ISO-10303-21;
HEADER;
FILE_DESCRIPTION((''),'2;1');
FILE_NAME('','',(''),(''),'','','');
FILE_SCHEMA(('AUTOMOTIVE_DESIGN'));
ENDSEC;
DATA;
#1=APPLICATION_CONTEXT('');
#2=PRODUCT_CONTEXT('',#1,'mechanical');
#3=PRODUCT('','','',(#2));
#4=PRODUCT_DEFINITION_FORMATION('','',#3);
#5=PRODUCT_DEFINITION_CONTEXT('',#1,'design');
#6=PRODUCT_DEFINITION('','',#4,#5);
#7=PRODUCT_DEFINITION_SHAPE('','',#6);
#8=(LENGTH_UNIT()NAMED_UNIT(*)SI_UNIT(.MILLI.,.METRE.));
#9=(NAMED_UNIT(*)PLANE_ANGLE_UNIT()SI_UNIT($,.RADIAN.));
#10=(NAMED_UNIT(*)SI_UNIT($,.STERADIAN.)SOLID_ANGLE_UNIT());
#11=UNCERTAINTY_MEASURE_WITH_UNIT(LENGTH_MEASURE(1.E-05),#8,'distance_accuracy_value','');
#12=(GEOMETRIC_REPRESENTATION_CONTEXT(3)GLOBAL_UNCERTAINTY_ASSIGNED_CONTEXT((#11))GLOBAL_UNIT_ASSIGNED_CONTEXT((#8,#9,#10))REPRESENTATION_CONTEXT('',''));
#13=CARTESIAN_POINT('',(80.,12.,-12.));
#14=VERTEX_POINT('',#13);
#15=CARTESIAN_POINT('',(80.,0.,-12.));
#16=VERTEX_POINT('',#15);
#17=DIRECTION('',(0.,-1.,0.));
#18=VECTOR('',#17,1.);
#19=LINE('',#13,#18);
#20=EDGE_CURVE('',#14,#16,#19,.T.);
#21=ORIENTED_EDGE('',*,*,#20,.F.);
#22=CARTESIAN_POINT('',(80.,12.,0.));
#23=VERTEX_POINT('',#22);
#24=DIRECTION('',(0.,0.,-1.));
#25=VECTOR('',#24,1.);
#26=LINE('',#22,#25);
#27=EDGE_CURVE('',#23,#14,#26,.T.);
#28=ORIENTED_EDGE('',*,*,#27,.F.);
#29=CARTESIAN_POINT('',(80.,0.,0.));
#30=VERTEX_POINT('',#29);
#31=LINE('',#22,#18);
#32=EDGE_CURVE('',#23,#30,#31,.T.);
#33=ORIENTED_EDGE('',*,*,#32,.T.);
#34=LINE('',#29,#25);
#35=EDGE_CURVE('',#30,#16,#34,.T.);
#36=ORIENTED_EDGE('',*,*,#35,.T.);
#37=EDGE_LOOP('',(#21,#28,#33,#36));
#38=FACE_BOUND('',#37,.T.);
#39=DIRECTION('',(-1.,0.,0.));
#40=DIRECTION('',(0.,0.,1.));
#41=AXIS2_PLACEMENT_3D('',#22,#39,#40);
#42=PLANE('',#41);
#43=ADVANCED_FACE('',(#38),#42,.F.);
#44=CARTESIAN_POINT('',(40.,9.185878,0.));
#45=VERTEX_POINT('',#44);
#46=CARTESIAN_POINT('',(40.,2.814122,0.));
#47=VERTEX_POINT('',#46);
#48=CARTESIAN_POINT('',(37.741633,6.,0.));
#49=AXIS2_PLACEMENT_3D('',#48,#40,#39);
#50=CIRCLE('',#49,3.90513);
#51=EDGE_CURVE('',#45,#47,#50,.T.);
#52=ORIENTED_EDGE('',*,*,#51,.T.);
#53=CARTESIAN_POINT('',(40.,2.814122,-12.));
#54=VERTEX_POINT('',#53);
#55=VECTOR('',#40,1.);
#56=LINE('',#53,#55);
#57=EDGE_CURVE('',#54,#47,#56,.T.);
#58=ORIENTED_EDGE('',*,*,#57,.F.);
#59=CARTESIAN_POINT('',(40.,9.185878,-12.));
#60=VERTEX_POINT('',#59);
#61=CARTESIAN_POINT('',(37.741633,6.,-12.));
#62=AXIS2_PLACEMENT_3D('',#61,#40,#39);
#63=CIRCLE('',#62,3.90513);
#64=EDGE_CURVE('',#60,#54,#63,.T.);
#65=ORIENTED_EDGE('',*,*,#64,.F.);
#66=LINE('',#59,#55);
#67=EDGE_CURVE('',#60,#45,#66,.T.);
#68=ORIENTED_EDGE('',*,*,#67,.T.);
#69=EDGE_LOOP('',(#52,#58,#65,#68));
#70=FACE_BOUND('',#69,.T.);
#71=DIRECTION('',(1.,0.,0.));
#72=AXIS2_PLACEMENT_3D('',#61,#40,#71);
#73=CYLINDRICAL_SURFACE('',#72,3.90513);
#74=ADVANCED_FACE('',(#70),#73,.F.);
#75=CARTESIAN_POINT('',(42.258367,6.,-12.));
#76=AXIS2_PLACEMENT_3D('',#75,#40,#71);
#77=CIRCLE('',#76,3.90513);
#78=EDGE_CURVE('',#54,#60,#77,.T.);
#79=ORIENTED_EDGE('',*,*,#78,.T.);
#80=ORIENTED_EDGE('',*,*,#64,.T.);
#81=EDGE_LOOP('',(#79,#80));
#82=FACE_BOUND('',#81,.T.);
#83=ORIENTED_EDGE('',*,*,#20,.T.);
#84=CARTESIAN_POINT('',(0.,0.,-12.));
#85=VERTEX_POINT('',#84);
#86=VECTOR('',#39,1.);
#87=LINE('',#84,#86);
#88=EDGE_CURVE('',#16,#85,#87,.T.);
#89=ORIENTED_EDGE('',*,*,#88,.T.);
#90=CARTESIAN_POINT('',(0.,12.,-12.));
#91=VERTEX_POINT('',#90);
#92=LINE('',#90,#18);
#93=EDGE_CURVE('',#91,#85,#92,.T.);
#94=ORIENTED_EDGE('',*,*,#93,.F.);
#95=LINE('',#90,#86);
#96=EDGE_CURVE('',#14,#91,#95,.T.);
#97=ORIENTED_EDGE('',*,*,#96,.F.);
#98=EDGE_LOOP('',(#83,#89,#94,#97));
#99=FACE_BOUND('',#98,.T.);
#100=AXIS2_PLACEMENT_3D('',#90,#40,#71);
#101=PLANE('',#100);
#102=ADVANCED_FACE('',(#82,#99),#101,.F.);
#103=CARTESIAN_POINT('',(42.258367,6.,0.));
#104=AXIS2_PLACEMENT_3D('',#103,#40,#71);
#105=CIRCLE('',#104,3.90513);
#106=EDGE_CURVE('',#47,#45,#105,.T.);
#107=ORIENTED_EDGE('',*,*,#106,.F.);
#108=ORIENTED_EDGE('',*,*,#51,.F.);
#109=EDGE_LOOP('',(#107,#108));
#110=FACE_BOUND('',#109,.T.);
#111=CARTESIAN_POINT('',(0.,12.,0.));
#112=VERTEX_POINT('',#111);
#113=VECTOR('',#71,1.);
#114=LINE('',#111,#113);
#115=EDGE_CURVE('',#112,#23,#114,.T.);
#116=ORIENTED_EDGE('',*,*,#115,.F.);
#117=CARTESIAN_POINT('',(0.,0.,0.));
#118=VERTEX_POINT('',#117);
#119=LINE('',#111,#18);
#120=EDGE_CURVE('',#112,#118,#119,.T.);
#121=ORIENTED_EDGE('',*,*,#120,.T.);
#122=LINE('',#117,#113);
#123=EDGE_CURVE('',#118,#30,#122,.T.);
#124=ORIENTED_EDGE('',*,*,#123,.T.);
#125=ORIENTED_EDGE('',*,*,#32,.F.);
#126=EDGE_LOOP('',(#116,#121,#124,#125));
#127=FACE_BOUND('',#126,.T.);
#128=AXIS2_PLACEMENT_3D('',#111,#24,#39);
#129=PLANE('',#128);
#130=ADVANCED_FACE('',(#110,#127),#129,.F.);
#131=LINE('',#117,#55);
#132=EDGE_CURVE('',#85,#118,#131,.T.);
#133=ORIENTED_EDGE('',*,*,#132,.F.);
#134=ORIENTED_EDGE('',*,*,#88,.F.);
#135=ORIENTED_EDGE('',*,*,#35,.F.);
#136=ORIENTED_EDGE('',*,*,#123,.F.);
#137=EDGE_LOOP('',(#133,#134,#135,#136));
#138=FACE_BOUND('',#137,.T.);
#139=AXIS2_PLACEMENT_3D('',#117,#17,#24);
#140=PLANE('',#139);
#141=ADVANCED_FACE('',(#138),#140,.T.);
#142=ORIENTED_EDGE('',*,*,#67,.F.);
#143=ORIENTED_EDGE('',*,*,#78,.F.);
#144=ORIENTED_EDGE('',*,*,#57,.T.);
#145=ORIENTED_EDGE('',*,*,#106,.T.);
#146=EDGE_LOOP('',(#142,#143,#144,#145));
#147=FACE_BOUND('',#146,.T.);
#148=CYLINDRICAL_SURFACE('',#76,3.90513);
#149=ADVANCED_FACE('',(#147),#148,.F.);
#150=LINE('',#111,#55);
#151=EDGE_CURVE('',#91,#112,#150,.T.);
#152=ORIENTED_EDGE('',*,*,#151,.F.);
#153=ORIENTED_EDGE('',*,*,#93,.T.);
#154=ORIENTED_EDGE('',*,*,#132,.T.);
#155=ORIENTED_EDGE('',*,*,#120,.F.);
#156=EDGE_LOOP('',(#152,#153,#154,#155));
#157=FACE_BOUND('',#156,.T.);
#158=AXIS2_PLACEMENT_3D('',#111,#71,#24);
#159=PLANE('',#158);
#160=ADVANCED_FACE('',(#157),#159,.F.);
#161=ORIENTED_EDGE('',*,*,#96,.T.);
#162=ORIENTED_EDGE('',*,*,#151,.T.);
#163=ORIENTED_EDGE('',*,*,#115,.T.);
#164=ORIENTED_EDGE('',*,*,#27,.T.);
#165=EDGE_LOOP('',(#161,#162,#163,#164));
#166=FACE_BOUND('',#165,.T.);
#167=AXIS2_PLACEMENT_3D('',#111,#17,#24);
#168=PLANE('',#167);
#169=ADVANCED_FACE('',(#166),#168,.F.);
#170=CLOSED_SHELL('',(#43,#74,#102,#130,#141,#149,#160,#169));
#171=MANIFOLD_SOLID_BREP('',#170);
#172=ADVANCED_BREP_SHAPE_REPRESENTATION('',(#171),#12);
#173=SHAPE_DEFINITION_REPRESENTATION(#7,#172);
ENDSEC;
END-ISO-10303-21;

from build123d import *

# Parameters (mm, degrees)
CROQUIS1_W              = 80
CROQUIS1_H              = 12
SALIENTE_EXTRUIR1_DEPTH = 12
CORTAR_EXTRUIR1_DEPTH   = 12


with BuildPart() as part:
    # Croquis1 → Saliente-Extruir1 (new body)
    with BuildSketch(Plane(origin=(0, 0, 0), x_dir=(1, 0, 0), z_dir=(0, 1, 0))):
        with Locations((40, 6)):
            Rectangle(CROQUIS1_W, CROQUIS1_H)
    extrude(amount=SALIENTE_EXTRUIR1_DEPTH)

    # Croquis2 → Cortar-Extruir1 (cut)
    with BuildSketch(Plane.XY):
        with BuildLine():
            ThreePointArc((40, 2.81412174), (46.163496931, 6), (40, 9.18587826))
            ThreePointArc((40, 9.18587826), (33.836503069, 6), (40, 2.81412174))
        make_face()
    extrude(amount=-CORTAR_EXTRUIR1_DEPTH, mode=Mode.SUBTRACT)


solid = part.part
